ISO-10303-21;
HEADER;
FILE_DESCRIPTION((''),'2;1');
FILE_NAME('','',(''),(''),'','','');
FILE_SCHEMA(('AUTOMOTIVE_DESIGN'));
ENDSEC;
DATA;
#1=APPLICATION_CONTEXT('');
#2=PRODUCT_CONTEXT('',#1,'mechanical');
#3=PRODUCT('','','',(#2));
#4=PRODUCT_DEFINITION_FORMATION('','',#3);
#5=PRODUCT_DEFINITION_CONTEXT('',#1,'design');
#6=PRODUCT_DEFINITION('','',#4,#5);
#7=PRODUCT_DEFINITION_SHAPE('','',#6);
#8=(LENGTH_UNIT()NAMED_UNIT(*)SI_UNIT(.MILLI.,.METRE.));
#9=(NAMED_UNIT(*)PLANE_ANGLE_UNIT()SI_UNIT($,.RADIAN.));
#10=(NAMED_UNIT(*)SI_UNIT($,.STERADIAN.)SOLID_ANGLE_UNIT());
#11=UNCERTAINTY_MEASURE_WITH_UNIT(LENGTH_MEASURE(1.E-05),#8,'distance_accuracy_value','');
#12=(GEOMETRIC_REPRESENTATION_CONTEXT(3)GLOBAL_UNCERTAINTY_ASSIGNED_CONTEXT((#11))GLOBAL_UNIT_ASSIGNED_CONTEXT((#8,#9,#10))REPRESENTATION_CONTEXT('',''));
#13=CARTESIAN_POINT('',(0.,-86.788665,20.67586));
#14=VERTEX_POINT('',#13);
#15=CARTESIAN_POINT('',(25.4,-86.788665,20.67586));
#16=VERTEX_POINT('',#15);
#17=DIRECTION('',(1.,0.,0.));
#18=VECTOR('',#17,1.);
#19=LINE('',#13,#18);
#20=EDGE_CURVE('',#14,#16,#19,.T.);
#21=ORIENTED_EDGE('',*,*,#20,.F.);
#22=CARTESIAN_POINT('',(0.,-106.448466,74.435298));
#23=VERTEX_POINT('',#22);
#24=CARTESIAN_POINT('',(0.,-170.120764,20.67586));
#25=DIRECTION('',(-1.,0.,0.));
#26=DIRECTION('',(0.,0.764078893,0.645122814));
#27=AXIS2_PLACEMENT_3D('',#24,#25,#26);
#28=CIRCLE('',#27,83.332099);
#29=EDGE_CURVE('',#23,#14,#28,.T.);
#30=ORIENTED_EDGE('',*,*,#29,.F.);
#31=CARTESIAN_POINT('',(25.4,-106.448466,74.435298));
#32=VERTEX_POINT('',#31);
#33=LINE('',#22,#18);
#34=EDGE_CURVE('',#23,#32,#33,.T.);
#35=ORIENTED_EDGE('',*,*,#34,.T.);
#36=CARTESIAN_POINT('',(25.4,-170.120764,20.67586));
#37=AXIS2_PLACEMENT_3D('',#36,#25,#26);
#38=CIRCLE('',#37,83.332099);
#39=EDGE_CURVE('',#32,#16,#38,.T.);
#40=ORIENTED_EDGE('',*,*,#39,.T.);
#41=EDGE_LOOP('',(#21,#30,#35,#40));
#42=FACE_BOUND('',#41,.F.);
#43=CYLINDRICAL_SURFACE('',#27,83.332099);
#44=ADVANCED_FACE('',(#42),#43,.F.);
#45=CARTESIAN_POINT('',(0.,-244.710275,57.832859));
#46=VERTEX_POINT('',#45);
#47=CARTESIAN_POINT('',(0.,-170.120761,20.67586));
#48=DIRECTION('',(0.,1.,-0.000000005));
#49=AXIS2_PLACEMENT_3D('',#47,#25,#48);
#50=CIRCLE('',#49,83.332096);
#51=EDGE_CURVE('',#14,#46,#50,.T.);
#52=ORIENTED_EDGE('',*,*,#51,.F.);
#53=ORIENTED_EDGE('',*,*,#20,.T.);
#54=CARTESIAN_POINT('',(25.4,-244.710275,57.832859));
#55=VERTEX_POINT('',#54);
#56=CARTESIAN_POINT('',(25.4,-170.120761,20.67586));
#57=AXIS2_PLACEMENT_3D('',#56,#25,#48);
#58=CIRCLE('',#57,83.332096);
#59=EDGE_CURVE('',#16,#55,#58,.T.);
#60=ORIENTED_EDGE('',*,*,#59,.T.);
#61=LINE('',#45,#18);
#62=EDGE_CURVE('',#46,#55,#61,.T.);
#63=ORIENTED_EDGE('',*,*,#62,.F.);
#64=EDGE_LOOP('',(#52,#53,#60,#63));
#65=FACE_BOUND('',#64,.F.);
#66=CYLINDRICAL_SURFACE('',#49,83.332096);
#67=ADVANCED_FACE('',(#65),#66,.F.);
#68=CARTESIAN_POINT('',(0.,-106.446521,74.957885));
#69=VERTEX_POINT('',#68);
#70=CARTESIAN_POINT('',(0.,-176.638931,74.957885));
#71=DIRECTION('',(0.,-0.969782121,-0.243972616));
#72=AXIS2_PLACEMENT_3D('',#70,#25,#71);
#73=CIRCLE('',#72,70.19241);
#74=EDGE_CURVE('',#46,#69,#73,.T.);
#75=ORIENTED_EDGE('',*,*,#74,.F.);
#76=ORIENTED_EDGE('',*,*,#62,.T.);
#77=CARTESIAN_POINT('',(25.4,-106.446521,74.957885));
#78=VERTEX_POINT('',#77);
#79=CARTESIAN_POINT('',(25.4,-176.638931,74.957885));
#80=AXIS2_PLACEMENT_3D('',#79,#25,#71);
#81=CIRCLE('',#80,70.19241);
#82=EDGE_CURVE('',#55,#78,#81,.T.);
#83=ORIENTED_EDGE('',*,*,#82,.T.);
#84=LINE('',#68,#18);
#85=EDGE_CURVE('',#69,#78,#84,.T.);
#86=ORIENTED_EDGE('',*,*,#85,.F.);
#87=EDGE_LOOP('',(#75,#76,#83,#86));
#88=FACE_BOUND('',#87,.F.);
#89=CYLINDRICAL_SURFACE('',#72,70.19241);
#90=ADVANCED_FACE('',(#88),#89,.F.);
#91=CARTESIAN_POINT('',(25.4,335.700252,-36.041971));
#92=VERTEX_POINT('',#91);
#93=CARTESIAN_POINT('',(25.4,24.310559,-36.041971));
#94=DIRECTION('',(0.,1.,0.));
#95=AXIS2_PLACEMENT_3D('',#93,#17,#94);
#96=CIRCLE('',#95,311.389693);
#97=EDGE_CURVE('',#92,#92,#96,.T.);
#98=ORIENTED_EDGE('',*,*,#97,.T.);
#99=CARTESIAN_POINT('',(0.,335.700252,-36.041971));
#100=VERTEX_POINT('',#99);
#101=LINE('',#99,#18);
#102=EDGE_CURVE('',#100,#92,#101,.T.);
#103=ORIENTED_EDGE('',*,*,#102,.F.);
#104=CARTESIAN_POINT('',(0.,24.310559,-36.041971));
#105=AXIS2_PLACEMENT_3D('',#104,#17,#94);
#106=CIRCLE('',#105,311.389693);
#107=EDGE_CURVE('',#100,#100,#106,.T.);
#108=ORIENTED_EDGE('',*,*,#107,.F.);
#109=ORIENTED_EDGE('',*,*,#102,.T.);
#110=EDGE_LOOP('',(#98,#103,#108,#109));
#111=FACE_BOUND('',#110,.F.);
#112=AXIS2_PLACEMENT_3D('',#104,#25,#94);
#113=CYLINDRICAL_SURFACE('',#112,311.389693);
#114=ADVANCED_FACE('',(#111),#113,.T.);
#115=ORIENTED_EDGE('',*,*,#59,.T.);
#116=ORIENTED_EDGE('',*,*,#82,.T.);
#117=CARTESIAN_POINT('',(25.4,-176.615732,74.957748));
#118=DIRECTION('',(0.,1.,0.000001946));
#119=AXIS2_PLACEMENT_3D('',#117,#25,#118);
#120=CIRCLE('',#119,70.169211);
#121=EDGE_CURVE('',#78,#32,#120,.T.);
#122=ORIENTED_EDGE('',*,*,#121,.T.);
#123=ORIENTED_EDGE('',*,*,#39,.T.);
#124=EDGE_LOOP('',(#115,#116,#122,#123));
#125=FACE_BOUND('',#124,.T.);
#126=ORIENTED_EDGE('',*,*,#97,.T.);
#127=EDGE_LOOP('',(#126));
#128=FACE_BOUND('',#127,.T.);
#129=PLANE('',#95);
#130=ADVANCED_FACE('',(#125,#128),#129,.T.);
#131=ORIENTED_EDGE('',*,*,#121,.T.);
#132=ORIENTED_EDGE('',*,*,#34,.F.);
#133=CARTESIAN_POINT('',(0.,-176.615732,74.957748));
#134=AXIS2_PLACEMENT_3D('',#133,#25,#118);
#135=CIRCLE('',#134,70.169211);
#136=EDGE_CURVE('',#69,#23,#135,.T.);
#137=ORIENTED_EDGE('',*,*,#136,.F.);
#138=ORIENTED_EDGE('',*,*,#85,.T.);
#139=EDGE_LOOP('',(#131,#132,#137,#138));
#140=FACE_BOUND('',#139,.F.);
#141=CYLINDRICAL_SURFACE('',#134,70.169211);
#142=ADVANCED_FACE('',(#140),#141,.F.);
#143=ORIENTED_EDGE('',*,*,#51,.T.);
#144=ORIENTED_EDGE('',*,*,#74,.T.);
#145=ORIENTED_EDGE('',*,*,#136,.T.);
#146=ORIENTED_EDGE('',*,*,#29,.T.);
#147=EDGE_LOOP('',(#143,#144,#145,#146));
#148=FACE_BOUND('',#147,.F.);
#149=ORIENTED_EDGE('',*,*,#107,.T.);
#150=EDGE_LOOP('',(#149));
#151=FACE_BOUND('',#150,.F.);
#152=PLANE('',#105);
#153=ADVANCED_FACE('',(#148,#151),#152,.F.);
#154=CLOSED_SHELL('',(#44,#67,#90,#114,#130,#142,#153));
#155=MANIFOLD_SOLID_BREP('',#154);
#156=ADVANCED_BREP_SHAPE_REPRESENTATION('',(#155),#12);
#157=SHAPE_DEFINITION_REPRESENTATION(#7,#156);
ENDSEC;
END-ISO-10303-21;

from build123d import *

# Parameters (mm, degrees)
F0_R     = 311.389693
F1_DEPTH = 25.4


with BuildPart() as f1:
    # F0 (on Right) → F1 (new body)
    with BuildSketch(Plane.YZ):
        with Locations((24.310559, -36.041971)):
            Circle(F0_R)
        with BuildLine():
            ThreePointArc((-106.448466, 74.435298), (-91.857794, 49.296591), (-86.788665, 20.67586))
            ThreePointArc((-86.788665, 20.67586), (-189.206588, -60.44115), (-244.710275, 57.832859))
            ThreePointArc((-244.710275, 57.832859), (-185.266872, 144.61801), (-106.446521, 74.957885))
            ThreePointArc((-106.446521, 74.957885), (-106.447007, 74.696589), (-106.448466, 74.435298))
        make_face(mode=Mode.SUBTRACT)
    extrude(amount=F1_DEPTH)


solid = f1.part
